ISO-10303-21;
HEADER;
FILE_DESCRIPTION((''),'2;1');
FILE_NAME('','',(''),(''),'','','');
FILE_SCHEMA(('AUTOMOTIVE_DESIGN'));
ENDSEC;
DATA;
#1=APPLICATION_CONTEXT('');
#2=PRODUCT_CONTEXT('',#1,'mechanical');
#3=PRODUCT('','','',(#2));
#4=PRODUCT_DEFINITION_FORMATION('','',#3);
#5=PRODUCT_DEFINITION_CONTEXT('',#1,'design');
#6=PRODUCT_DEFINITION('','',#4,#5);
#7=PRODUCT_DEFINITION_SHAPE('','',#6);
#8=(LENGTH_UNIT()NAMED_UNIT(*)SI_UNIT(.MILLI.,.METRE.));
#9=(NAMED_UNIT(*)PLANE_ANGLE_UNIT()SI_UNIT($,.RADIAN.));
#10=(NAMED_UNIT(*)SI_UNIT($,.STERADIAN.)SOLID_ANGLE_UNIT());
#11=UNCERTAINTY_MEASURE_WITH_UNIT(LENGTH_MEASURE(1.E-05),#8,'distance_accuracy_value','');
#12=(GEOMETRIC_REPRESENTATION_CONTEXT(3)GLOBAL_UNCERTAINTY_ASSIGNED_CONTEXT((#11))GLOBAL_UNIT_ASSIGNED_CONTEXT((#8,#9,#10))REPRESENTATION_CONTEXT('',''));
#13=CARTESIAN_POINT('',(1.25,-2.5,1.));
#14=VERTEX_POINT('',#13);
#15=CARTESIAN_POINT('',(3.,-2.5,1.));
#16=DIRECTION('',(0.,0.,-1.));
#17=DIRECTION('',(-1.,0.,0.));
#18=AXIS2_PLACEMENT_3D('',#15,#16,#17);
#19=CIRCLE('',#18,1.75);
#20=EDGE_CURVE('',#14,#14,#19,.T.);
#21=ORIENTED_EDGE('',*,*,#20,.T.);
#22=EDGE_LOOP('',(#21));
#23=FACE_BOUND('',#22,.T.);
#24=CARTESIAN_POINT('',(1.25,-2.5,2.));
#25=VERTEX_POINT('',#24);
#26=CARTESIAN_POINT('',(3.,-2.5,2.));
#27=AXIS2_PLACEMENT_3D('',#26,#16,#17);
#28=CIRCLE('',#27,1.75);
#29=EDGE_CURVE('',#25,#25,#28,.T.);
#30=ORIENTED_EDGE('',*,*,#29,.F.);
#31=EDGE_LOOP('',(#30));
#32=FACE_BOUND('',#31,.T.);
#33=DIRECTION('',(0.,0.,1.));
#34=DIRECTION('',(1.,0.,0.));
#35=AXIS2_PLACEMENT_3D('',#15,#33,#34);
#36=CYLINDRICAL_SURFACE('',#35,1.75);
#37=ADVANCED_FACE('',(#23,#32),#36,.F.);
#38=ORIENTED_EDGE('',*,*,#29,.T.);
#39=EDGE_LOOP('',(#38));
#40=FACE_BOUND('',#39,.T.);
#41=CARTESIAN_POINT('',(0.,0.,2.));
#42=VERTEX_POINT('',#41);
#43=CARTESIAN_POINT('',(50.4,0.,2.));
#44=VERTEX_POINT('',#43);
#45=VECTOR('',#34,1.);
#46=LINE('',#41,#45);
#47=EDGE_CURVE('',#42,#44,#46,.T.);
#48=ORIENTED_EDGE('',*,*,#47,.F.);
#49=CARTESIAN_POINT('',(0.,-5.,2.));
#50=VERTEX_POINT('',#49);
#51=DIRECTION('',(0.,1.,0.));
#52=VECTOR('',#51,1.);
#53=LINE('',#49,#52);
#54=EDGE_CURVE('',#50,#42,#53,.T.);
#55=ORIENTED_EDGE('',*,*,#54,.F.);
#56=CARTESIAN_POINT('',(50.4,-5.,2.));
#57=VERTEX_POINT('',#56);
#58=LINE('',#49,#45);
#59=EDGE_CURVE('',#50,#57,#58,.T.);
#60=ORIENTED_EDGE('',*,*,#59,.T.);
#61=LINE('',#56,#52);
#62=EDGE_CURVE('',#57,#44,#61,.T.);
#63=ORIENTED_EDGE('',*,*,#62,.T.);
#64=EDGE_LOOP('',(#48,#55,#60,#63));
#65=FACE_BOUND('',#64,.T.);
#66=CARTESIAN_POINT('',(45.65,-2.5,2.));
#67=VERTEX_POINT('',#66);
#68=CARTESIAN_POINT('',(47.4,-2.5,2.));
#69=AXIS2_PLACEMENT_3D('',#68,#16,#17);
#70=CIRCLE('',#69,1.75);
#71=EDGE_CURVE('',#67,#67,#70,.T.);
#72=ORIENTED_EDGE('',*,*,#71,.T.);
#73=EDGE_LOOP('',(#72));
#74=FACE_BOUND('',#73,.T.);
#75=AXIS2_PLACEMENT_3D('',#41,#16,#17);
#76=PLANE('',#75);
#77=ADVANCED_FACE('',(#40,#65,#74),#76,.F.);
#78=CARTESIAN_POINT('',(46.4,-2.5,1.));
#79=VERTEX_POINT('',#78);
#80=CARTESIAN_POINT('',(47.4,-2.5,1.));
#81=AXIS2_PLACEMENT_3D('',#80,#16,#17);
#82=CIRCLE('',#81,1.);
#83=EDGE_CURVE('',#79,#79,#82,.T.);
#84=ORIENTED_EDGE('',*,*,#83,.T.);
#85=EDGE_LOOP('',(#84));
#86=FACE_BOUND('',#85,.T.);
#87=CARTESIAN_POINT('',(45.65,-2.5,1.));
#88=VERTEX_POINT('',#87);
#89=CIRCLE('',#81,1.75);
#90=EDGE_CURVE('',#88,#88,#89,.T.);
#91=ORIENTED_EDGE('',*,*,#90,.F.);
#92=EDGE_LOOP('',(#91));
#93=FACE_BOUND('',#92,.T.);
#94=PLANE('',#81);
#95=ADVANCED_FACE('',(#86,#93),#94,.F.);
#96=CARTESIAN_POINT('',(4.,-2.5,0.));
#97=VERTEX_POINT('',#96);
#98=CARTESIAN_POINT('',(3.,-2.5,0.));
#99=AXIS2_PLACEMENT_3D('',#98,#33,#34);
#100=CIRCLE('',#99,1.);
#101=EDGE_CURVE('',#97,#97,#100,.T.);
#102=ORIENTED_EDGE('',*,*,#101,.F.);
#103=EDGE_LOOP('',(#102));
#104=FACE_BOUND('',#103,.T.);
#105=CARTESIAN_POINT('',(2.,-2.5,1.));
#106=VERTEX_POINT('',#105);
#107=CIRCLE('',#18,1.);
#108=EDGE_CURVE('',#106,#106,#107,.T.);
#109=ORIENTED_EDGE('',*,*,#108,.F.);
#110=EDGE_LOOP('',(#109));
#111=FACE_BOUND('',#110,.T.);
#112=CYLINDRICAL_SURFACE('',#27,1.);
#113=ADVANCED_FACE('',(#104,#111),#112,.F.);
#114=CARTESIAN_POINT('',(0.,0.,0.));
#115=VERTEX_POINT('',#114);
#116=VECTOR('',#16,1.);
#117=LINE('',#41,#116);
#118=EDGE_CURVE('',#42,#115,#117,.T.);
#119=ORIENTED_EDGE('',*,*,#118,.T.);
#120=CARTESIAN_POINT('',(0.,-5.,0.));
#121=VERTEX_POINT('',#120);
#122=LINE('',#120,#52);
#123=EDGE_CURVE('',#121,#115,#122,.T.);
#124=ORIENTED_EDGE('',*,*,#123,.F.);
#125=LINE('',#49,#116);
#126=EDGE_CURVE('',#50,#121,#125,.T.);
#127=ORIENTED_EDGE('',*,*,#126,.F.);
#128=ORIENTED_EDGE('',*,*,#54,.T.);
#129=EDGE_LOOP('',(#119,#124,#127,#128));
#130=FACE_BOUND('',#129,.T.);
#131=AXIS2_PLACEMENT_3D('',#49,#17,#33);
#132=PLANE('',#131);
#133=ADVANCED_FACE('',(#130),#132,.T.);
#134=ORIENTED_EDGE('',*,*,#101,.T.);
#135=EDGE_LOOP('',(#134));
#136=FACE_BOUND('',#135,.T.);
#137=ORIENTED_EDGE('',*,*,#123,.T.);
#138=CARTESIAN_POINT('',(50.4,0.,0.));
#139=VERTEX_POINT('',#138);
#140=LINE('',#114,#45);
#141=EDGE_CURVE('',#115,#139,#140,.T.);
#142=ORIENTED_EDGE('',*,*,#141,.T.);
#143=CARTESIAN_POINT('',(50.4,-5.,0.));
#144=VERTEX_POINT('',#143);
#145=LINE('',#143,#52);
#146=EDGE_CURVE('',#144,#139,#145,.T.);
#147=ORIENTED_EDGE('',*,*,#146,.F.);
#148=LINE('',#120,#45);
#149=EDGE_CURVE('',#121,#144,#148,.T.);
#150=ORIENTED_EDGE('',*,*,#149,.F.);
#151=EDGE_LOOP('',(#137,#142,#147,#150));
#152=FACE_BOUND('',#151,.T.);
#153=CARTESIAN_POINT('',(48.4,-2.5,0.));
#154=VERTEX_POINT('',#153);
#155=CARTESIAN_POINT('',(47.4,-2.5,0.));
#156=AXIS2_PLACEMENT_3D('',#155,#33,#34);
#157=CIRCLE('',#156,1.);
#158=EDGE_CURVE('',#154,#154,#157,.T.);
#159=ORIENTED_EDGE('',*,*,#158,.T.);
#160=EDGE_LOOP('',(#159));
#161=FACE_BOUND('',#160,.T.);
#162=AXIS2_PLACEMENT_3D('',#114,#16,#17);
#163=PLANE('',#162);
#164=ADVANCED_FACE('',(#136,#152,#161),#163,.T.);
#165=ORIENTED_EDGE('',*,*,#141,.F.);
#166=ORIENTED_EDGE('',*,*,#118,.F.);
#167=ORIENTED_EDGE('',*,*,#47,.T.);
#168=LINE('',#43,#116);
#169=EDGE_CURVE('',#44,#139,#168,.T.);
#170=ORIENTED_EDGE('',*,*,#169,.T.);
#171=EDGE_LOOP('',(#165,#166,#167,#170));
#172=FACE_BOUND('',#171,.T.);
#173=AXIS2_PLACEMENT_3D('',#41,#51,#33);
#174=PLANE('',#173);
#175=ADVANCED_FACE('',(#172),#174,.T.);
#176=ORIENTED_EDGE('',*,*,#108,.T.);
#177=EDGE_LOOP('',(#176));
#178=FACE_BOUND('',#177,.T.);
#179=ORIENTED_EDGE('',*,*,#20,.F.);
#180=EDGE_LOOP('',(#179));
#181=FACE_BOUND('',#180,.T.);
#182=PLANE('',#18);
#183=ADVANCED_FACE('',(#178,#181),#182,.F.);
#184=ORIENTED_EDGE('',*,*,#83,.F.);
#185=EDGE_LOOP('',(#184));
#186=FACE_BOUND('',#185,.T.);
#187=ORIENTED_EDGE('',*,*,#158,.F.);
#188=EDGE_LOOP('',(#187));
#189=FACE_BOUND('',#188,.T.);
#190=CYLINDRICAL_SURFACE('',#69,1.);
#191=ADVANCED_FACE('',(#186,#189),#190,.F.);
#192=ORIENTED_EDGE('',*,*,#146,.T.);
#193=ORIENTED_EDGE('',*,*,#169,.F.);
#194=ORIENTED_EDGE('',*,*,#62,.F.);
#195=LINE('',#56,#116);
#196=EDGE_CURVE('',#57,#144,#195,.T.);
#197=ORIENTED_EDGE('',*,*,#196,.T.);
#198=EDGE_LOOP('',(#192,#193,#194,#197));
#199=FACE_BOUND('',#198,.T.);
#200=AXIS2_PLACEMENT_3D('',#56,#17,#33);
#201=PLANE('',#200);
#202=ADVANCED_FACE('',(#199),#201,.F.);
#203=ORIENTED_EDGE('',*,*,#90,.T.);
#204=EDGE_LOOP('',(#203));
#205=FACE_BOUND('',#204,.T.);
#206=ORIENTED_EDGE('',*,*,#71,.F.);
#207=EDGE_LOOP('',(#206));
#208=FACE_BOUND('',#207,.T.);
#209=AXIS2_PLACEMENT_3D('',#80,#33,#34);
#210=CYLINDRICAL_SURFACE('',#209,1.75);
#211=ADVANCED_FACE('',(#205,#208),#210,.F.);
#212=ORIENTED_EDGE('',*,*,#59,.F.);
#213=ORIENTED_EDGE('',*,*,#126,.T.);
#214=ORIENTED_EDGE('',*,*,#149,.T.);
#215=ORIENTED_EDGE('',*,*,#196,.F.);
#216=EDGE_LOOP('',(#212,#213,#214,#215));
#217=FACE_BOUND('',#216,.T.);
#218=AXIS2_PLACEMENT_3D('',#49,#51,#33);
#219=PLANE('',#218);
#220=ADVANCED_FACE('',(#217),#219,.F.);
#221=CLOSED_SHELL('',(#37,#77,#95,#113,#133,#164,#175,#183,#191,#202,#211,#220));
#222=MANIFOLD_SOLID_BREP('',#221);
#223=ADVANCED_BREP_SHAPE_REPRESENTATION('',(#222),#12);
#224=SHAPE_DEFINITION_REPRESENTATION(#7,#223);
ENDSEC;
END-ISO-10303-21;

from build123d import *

# Parameters (mm, degrees)
SKETCH_1_W          = 50.4
SKETCH_1_H          = 5
SKETCH_1_R          = 1
EXTRUDE_1_DEPTH     = 2
CUT_EXTRUDE_START   = 2
SKETCH_1_8_R        = 1.75
CUT_EXTRUDE_2_DEPTH = 1


with BuildPart() as part:
    # 草图1 → 凸台-拉伸1 (new body)
    with BuildSketch(Plane.XY):
        with Locations((25.2, -2.5)):
            Rectangle(SKETCH_1_W, SKETCH_1_H)
        with Locations((3, -2.5)):
            Circle(SKETCH_1_R, mode=Mode.SUBTRACT)
        with Locations((47.4, -2.5)):
            Circle(SKETCH_1_R, mode=Mode.SUBTRACT)
    extrude(amount=EXTRUDE_1_DEPTH)

    # 草图1<8> → 切除-拉伸2 (cut)
    with BuildSketch(Plane.XY.offset(CUT_EXTRUDE_START)):
        with Locations(Location((3, -2.5, 0), (0, 0, 180))):
            Circle(SKETCH_1_8_R)
        with Locations(Location((47.4, -2.5, 0), (0, 0, 180))):
            Circle(SKETCH_1_8_R)
    extrude(amount=-CUT_EXTRUDE_2_DEPTH, mode=Mode.SUBTRACT)


solid = part.part
